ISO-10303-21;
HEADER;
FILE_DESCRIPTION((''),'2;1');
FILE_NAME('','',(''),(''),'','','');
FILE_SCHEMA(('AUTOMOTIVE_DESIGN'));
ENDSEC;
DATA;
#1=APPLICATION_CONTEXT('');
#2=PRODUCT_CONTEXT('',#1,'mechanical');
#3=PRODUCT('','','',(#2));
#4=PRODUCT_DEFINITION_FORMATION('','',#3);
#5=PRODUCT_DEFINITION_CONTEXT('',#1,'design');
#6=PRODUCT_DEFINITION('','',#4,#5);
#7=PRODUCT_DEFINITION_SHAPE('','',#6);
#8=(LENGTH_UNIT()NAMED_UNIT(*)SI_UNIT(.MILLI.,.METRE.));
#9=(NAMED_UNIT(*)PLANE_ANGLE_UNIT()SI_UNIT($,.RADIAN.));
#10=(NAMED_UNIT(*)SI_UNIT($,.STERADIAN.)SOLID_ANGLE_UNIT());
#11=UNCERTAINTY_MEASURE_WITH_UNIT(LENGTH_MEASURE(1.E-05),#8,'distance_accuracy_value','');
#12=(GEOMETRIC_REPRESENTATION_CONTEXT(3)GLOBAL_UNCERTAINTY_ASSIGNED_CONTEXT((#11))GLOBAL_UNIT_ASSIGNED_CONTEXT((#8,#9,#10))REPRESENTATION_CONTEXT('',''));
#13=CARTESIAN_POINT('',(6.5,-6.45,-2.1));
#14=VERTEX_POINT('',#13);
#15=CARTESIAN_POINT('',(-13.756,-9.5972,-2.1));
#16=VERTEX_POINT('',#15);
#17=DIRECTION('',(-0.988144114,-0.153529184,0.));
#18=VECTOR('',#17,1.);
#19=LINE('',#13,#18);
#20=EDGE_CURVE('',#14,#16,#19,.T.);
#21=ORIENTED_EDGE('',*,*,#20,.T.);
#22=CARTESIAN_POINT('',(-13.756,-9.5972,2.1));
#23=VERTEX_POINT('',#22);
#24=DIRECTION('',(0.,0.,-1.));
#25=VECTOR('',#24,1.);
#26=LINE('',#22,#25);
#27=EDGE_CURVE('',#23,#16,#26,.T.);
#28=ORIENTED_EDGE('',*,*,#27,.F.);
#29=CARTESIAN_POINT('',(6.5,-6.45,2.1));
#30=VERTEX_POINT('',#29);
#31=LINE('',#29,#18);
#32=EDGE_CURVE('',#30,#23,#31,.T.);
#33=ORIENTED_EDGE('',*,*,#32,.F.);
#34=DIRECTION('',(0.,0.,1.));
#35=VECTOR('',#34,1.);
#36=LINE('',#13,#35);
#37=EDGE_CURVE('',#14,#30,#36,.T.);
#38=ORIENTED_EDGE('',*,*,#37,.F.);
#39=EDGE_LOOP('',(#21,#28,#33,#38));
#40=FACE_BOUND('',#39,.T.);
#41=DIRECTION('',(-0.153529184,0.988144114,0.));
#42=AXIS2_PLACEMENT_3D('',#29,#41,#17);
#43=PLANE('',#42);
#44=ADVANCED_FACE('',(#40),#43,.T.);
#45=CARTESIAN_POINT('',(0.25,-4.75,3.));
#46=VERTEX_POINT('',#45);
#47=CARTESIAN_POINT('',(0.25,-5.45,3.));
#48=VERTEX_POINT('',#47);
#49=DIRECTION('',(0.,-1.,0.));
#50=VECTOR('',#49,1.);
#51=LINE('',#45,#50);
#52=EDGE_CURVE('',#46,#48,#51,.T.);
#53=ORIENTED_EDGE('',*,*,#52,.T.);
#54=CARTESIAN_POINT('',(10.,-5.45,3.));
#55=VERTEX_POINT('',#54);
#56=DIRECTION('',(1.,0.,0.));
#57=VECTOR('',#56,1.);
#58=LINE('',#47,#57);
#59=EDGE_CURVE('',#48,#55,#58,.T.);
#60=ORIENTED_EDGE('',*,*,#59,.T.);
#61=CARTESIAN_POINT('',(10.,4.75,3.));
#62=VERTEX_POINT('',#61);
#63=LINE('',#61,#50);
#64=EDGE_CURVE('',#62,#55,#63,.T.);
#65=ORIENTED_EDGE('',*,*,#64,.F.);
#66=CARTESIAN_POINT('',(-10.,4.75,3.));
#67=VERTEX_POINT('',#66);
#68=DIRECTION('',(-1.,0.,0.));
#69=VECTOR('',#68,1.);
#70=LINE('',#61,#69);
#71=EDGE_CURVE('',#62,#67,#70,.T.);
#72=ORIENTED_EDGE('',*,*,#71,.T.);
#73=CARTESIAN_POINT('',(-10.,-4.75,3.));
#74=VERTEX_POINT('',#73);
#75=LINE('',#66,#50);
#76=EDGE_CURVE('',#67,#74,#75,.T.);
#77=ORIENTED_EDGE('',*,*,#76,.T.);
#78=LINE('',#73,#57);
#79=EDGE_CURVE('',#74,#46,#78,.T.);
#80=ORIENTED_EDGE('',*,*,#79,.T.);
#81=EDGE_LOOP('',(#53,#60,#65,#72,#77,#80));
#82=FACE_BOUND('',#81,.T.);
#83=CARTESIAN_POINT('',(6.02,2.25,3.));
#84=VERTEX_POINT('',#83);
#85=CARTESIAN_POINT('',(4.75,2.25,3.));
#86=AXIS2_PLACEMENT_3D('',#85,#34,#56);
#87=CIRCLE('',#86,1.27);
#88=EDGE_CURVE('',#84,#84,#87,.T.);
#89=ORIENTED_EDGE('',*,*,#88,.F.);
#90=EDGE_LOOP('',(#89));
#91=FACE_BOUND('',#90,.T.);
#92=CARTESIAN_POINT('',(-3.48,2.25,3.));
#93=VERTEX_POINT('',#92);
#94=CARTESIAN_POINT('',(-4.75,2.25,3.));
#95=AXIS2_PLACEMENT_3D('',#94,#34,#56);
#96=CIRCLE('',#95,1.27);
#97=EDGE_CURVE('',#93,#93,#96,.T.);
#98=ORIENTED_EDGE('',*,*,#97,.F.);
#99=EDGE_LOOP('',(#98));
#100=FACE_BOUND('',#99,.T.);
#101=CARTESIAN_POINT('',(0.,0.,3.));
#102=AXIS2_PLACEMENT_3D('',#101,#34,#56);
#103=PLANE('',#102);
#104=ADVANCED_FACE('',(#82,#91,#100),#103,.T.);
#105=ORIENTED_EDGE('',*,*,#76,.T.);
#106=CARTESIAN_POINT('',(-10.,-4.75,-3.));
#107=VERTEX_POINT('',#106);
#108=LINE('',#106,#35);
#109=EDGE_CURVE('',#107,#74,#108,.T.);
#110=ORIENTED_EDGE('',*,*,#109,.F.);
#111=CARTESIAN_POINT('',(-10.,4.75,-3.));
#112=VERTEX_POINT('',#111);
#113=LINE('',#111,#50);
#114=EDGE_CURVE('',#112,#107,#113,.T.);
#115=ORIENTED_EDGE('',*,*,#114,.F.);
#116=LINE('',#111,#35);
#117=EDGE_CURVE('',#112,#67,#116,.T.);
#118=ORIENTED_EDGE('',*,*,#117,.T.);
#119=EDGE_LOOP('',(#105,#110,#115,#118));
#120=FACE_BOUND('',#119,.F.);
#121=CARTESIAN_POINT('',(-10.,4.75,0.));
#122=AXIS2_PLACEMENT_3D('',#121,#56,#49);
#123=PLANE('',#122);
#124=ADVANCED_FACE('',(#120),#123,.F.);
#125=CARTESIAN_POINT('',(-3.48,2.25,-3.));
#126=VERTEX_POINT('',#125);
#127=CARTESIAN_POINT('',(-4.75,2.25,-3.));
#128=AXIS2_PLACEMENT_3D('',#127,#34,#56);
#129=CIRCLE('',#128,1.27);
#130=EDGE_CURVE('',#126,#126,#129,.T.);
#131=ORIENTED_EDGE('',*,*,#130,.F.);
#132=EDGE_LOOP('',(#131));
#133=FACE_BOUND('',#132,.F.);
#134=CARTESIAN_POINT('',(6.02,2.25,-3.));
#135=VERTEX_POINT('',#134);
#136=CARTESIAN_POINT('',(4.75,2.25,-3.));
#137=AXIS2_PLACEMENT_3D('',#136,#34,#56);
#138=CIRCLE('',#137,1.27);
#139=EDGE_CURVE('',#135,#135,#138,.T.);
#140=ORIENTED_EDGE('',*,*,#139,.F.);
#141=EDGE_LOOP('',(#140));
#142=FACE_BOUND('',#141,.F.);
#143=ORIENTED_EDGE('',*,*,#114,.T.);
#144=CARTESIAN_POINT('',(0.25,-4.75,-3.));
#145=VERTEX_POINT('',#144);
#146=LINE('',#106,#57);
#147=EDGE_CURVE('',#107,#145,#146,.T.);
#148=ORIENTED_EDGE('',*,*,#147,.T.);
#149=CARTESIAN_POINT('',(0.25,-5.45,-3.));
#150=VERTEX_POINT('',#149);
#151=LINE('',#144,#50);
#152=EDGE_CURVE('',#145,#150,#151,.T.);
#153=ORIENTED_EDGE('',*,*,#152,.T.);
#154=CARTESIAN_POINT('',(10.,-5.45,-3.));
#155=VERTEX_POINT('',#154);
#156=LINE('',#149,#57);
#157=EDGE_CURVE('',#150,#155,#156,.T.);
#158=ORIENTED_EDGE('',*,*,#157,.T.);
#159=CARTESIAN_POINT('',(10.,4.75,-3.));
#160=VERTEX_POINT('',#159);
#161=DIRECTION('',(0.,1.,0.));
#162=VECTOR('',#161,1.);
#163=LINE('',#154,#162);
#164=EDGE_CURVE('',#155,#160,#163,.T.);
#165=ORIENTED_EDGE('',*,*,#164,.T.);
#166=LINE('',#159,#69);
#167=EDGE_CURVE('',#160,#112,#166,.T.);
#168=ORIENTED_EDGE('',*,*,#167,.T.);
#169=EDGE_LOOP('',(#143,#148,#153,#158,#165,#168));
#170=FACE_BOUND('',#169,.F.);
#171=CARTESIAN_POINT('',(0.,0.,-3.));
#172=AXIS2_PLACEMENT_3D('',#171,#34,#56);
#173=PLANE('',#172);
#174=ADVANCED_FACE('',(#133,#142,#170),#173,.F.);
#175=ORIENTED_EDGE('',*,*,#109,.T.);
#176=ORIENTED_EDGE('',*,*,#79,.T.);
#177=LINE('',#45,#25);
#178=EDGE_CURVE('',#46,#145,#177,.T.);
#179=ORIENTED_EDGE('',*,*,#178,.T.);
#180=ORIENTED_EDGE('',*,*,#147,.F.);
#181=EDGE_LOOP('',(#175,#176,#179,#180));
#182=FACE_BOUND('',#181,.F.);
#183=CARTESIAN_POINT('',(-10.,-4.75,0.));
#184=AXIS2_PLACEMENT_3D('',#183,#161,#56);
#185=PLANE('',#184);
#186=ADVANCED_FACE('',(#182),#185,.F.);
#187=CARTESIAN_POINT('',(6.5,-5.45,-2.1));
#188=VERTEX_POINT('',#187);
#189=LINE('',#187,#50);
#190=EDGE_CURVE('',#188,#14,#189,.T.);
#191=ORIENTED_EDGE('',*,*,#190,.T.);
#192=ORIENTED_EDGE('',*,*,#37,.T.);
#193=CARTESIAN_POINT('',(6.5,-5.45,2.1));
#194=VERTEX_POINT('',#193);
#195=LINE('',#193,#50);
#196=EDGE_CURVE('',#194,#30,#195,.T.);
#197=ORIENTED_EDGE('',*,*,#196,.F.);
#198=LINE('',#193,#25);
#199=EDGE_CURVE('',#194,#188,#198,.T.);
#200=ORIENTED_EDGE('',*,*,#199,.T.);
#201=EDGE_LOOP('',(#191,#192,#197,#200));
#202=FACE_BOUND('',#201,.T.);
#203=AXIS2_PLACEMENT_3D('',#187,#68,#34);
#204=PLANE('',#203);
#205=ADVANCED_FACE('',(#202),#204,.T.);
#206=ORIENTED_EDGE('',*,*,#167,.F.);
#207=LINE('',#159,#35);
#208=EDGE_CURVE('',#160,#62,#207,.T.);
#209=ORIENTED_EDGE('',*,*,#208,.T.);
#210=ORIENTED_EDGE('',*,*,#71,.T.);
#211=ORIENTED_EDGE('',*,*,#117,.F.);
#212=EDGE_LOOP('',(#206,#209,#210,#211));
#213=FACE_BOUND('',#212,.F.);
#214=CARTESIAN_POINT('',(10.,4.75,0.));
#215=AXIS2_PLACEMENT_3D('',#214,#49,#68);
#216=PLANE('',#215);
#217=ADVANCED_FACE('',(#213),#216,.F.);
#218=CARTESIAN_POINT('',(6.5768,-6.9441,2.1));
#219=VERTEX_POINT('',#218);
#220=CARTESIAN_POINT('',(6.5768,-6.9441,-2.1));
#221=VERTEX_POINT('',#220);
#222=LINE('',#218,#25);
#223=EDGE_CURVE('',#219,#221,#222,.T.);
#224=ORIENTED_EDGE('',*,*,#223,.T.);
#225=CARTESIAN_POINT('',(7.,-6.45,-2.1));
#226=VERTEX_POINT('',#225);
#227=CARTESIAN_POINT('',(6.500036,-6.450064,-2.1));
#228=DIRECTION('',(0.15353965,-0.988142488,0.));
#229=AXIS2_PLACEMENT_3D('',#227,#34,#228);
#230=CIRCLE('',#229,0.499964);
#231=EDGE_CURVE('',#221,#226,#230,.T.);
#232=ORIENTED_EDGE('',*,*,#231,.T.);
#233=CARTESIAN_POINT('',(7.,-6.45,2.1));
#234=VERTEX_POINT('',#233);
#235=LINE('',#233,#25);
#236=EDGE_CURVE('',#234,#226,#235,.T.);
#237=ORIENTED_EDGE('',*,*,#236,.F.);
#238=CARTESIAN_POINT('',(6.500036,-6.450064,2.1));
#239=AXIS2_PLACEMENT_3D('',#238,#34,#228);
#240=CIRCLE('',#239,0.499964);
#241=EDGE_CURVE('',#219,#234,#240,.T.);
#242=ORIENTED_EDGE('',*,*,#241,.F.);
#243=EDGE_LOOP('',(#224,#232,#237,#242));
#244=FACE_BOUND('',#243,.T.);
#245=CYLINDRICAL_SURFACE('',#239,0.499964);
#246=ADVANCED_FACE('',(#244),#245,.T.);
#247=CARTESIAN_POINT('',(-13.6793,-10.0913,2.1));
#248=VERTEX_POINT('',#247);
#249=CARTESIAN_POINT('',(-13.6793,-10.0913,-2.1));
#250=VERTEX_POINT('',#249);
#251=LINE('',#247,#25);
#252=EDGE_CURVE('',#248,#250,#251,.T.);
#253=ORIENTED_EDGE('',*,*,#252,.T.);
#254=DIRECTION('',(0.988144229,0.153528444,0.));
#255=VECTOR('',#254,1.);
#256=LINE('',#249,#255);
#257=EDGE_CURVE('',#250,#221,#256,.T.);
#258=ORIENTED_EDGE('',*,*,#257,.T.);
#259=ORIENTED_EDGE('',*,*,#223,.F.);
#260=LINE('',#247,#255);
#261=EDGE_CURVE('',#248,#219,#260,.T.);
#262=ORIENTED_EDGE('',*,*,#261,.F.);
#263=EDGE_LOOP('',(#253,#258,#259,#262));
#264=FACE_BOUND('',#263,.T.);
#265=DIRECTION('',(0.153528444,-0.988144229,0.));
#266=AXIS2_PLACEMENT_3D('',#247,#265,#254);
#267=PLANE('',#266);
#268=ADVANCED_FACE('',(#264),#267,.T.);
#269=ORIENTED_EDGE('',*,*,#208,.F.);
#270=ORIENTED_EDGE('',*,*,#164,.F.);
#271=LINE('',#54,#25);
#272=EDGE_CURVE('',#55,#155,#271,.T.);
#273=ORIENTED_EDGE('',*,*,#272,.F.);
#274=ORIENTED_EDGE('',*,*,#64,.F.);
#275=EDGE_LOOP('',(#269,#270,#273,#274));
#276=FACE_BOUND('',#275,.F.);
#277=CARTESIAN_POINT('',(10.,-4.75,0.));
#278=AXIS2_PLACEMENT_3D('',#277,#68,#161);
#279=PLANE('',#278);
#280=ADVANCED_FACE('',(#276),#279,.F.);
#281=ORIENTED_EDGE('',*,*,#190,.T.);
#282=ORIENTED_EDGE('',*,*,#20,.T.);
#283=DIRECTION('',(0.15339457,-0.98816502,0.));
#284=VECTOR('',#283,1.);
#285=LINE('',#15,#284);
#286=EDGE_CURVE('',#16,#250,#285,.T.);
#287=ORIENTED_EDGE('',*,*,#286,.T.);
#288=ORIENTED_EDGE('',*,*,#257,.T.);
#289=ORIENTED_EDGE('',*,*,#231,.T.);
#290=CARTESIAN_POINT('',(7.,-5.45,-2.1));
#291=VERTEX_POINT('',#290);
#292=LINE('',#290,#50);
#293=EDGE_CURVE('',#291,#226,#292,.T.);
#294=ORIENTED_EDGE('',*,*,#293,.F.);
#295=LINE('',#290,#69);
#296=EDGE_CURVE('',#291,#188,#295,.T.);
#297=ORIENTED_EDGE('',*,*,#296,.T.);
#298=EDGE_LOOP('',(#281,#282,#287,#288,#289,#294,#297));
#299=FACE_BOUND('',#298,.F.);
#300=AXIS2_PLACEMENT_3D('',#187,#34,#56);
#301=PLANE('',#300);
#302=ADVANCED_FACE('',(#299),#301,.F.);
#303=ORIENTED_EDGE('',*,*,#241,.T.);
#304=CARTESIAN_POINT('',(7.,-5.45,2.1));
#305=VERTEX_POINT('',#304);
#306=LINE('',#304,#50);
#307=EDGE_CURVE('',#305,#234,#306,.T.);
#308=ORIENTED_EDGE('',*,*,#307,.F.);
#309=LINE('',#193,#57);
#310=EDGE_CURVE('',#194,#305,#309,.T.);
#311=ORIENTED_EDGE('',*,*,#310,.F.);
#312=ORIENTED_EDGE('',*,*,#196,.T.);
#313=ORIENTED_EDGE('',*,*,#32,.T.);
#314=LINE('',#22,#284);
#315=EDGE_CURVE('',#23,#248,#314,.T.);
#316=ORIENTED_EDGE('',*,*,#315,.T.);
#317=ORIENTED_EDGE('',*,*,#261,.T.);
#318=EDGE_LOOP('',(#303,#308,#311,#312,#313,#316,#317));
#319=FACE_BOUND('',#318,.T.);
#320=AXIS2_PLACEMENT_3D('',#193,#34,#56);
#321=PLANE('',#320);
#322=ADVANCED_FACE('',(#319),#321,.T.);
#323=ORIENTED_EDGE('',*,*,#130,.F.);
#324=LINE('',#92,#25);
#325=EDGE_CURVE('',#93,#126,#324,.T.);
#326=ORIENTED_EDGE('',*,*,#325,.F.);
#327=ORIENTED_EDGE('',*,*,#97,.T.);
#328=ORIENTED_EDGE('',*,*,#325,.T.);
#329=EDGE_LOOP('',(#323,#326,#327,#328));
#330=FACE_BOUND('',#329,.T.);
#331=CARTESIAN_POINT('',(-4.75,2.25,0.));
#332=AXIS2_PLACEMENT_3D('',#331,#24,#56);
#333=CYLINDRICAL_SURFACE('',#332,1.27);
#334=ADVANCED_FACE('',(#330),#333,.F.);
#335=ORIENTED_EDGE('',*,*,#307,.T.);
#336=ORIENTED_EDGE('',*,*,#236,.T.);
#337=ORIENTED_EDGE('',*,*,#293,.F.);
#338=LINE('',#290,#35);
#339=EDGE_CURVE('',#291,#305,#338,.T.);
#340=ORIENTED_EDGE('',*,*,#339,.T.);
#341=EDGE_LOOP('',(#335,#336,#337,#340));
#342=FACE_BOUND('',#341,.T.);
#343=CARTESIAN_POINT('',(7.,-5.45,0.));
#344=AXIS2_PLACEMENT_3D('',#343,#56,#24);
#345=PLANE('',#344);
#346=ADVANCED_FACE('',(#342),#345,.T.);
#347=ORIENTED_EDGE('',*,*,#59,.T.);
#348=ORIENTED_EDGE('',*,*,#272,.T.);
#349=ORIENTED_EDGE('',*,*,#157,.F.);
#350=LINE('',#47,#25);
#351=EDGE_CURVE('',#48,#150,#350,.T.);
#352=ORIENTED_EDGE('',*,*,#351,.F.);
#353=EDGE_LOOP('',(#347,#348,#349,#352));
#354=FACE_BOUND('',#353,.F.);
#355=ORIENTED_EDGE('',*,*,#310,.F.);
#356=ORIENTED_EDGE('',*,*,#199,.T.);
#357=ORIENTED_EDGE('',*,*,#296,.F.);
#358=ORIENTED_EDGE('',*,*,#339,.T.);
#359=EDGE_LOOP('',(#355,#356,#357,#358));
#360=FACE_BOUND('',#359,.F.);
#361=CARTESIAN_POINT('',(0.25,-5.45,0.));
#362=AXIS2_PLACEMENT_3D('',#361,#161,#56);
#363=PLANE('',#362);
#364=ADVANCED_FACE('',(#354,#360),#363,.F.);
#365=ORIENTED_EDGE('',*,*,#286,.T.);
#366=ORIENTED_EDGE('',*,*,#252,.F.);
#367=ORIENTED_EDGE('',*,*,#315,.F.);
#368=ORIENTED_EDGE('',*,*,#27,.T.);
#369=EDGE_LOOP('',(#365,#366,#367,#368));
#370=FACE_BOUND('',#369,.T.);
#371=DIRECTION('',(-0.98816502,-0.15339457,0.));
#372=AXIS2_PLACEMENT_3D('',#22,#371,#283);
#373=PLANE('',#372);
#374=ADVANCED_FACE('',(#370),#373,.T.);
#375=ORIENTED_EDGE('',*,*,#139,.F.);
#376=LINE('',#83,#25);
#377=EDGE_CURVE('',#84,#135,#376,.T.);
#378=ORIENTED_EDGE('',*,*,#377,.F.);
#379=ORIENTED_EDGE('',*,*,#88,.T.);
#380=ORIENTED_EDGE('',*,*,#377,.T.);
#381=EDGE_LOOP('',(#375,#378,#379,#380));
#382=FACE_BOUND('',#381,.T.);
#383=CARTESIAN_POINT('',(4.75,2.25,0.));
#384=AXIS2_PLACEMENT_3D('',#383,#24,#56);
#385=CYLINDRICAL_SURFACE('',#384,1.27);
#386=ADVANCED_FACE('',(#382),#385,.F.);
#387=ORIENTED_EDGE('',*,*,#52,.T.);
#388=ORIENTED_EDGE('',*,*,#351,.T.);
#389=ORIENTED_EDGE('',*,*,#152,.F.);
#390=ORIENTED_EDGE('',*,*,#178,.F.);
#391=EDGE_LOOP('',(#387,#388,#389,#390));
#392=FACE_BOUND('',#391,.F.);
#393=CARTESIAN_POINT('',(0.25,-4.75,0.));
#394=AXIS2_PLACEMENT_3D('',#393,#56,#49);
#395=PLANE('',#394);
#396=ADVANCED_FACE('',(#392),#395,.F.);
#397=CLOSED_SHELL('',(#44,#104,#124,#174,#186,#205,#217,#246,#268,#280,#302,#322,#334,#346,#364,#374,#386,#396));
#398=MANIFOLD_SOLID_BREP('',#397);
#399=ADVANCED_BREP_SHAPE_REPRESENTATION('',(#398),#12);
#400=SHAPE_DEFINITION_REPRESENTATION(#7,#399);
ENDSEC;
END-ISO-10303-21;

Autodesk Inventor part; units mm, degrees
ref_plane "YZ Plane" through (0, 0, 0) normal (1, 0, 0) x (0, 1, 0)
ref_plane "XZ Plane" through (0, 0, 0) normal (0, 1, 0) x (-1, 0, 0)
ref_plane "XY Plane" through (0, 0, 0) normal (0, 0, 1) x (1, 0, 0)
sketch "Sketch1" plane through (0, 0, 0) normal (0, 0, 1) x (1, 0, 0)
  line L0 (10, 4.75) -> (-10, 4.75)
  line L1 (-10, 4.75) -> (-10, -4.75)
  line L2 (-10, -4.75) -> (10, -4.75)
  line L3 (10, -4.75) -> (10, 4.75)
  line L4 (0.25, -4.75) -> (0.25, -5.45)
  line L5 (0.25, -5.45) -> (10, -5.45)
  line L6 (10, -5.45) -> (10, -4.75)
  line L7 (-10, -4.75) -> (10, 4.75) construction
  line L8 (10, -4.75) -> (-10, 4.75) construction
  circle A0 centre (-4.75, 2.25) radius 1.27
  circle A1 centre (4.75, 2.25) radius 1.27
  line L9 (0, 0) -> (0, 4.75) construction
  dimension "d0" = 20
  dimension "d2" = 10.2
  dimension "d3" = 9.5
  dimension "d4" = 9.75
  dimension "d5" = 9.5
  dimension "d6" = 2.54
  dimension "d7" = 2.5
extrude "Extrusion1" add sketch "Sketch1" along normal mid plane 6
sketch "Sketch2" plane through (0.25, -5.45, -3) normal (0, -1, 0) x (1, 0, 0)
  line L0 (6.75, 0.9) -> (6.25, 0.9)
  line L1 (6.25, 0.9) -> (6.25, 5.1)
  line L2 (6.25, 5.1) -> (6.75, 5.1)
  line L3 (6.75, 5.1) -> (6.75, 0.9)
  line L4 (-14.25, 3) -> (13.75, 3) projected
  line L5 (9.75, 0) -> (9.75, 6) projected
  point P0 (-0.25, 3)
  dimension "d10" = 4.2
  dimension "d11" = 0.5
  dimension "d12" = 3
extrude "Extrusion2" add sketch "Sketch2" along normal blind 1
sketch "Sketch3" plane through (6.5, -5.45, 2.1) normal (0, 0, 1) x (1, 0, 0)
  line L0 (0, -1) -> (-20.256, -4.1472)
  line L1 (-20.256, -4.1472) -> (-20.1793, -4.6413)
  line L2 (-20.1793, -4.6413) -> (0.0768, -1.4941)
  arc A0 (0.0768, -1.4941) -> (0.5, -1) centre (0, -1) ccw
  line L3 (0.5, -1) -> (0, -1) projected
  point P0 (-6.5, 5.45)
  dimension "d15" = 0.5
extrude "Extrusion3" add sketch "Sketch3" against normal blind 4.2
properties part number "Limit Switch"
